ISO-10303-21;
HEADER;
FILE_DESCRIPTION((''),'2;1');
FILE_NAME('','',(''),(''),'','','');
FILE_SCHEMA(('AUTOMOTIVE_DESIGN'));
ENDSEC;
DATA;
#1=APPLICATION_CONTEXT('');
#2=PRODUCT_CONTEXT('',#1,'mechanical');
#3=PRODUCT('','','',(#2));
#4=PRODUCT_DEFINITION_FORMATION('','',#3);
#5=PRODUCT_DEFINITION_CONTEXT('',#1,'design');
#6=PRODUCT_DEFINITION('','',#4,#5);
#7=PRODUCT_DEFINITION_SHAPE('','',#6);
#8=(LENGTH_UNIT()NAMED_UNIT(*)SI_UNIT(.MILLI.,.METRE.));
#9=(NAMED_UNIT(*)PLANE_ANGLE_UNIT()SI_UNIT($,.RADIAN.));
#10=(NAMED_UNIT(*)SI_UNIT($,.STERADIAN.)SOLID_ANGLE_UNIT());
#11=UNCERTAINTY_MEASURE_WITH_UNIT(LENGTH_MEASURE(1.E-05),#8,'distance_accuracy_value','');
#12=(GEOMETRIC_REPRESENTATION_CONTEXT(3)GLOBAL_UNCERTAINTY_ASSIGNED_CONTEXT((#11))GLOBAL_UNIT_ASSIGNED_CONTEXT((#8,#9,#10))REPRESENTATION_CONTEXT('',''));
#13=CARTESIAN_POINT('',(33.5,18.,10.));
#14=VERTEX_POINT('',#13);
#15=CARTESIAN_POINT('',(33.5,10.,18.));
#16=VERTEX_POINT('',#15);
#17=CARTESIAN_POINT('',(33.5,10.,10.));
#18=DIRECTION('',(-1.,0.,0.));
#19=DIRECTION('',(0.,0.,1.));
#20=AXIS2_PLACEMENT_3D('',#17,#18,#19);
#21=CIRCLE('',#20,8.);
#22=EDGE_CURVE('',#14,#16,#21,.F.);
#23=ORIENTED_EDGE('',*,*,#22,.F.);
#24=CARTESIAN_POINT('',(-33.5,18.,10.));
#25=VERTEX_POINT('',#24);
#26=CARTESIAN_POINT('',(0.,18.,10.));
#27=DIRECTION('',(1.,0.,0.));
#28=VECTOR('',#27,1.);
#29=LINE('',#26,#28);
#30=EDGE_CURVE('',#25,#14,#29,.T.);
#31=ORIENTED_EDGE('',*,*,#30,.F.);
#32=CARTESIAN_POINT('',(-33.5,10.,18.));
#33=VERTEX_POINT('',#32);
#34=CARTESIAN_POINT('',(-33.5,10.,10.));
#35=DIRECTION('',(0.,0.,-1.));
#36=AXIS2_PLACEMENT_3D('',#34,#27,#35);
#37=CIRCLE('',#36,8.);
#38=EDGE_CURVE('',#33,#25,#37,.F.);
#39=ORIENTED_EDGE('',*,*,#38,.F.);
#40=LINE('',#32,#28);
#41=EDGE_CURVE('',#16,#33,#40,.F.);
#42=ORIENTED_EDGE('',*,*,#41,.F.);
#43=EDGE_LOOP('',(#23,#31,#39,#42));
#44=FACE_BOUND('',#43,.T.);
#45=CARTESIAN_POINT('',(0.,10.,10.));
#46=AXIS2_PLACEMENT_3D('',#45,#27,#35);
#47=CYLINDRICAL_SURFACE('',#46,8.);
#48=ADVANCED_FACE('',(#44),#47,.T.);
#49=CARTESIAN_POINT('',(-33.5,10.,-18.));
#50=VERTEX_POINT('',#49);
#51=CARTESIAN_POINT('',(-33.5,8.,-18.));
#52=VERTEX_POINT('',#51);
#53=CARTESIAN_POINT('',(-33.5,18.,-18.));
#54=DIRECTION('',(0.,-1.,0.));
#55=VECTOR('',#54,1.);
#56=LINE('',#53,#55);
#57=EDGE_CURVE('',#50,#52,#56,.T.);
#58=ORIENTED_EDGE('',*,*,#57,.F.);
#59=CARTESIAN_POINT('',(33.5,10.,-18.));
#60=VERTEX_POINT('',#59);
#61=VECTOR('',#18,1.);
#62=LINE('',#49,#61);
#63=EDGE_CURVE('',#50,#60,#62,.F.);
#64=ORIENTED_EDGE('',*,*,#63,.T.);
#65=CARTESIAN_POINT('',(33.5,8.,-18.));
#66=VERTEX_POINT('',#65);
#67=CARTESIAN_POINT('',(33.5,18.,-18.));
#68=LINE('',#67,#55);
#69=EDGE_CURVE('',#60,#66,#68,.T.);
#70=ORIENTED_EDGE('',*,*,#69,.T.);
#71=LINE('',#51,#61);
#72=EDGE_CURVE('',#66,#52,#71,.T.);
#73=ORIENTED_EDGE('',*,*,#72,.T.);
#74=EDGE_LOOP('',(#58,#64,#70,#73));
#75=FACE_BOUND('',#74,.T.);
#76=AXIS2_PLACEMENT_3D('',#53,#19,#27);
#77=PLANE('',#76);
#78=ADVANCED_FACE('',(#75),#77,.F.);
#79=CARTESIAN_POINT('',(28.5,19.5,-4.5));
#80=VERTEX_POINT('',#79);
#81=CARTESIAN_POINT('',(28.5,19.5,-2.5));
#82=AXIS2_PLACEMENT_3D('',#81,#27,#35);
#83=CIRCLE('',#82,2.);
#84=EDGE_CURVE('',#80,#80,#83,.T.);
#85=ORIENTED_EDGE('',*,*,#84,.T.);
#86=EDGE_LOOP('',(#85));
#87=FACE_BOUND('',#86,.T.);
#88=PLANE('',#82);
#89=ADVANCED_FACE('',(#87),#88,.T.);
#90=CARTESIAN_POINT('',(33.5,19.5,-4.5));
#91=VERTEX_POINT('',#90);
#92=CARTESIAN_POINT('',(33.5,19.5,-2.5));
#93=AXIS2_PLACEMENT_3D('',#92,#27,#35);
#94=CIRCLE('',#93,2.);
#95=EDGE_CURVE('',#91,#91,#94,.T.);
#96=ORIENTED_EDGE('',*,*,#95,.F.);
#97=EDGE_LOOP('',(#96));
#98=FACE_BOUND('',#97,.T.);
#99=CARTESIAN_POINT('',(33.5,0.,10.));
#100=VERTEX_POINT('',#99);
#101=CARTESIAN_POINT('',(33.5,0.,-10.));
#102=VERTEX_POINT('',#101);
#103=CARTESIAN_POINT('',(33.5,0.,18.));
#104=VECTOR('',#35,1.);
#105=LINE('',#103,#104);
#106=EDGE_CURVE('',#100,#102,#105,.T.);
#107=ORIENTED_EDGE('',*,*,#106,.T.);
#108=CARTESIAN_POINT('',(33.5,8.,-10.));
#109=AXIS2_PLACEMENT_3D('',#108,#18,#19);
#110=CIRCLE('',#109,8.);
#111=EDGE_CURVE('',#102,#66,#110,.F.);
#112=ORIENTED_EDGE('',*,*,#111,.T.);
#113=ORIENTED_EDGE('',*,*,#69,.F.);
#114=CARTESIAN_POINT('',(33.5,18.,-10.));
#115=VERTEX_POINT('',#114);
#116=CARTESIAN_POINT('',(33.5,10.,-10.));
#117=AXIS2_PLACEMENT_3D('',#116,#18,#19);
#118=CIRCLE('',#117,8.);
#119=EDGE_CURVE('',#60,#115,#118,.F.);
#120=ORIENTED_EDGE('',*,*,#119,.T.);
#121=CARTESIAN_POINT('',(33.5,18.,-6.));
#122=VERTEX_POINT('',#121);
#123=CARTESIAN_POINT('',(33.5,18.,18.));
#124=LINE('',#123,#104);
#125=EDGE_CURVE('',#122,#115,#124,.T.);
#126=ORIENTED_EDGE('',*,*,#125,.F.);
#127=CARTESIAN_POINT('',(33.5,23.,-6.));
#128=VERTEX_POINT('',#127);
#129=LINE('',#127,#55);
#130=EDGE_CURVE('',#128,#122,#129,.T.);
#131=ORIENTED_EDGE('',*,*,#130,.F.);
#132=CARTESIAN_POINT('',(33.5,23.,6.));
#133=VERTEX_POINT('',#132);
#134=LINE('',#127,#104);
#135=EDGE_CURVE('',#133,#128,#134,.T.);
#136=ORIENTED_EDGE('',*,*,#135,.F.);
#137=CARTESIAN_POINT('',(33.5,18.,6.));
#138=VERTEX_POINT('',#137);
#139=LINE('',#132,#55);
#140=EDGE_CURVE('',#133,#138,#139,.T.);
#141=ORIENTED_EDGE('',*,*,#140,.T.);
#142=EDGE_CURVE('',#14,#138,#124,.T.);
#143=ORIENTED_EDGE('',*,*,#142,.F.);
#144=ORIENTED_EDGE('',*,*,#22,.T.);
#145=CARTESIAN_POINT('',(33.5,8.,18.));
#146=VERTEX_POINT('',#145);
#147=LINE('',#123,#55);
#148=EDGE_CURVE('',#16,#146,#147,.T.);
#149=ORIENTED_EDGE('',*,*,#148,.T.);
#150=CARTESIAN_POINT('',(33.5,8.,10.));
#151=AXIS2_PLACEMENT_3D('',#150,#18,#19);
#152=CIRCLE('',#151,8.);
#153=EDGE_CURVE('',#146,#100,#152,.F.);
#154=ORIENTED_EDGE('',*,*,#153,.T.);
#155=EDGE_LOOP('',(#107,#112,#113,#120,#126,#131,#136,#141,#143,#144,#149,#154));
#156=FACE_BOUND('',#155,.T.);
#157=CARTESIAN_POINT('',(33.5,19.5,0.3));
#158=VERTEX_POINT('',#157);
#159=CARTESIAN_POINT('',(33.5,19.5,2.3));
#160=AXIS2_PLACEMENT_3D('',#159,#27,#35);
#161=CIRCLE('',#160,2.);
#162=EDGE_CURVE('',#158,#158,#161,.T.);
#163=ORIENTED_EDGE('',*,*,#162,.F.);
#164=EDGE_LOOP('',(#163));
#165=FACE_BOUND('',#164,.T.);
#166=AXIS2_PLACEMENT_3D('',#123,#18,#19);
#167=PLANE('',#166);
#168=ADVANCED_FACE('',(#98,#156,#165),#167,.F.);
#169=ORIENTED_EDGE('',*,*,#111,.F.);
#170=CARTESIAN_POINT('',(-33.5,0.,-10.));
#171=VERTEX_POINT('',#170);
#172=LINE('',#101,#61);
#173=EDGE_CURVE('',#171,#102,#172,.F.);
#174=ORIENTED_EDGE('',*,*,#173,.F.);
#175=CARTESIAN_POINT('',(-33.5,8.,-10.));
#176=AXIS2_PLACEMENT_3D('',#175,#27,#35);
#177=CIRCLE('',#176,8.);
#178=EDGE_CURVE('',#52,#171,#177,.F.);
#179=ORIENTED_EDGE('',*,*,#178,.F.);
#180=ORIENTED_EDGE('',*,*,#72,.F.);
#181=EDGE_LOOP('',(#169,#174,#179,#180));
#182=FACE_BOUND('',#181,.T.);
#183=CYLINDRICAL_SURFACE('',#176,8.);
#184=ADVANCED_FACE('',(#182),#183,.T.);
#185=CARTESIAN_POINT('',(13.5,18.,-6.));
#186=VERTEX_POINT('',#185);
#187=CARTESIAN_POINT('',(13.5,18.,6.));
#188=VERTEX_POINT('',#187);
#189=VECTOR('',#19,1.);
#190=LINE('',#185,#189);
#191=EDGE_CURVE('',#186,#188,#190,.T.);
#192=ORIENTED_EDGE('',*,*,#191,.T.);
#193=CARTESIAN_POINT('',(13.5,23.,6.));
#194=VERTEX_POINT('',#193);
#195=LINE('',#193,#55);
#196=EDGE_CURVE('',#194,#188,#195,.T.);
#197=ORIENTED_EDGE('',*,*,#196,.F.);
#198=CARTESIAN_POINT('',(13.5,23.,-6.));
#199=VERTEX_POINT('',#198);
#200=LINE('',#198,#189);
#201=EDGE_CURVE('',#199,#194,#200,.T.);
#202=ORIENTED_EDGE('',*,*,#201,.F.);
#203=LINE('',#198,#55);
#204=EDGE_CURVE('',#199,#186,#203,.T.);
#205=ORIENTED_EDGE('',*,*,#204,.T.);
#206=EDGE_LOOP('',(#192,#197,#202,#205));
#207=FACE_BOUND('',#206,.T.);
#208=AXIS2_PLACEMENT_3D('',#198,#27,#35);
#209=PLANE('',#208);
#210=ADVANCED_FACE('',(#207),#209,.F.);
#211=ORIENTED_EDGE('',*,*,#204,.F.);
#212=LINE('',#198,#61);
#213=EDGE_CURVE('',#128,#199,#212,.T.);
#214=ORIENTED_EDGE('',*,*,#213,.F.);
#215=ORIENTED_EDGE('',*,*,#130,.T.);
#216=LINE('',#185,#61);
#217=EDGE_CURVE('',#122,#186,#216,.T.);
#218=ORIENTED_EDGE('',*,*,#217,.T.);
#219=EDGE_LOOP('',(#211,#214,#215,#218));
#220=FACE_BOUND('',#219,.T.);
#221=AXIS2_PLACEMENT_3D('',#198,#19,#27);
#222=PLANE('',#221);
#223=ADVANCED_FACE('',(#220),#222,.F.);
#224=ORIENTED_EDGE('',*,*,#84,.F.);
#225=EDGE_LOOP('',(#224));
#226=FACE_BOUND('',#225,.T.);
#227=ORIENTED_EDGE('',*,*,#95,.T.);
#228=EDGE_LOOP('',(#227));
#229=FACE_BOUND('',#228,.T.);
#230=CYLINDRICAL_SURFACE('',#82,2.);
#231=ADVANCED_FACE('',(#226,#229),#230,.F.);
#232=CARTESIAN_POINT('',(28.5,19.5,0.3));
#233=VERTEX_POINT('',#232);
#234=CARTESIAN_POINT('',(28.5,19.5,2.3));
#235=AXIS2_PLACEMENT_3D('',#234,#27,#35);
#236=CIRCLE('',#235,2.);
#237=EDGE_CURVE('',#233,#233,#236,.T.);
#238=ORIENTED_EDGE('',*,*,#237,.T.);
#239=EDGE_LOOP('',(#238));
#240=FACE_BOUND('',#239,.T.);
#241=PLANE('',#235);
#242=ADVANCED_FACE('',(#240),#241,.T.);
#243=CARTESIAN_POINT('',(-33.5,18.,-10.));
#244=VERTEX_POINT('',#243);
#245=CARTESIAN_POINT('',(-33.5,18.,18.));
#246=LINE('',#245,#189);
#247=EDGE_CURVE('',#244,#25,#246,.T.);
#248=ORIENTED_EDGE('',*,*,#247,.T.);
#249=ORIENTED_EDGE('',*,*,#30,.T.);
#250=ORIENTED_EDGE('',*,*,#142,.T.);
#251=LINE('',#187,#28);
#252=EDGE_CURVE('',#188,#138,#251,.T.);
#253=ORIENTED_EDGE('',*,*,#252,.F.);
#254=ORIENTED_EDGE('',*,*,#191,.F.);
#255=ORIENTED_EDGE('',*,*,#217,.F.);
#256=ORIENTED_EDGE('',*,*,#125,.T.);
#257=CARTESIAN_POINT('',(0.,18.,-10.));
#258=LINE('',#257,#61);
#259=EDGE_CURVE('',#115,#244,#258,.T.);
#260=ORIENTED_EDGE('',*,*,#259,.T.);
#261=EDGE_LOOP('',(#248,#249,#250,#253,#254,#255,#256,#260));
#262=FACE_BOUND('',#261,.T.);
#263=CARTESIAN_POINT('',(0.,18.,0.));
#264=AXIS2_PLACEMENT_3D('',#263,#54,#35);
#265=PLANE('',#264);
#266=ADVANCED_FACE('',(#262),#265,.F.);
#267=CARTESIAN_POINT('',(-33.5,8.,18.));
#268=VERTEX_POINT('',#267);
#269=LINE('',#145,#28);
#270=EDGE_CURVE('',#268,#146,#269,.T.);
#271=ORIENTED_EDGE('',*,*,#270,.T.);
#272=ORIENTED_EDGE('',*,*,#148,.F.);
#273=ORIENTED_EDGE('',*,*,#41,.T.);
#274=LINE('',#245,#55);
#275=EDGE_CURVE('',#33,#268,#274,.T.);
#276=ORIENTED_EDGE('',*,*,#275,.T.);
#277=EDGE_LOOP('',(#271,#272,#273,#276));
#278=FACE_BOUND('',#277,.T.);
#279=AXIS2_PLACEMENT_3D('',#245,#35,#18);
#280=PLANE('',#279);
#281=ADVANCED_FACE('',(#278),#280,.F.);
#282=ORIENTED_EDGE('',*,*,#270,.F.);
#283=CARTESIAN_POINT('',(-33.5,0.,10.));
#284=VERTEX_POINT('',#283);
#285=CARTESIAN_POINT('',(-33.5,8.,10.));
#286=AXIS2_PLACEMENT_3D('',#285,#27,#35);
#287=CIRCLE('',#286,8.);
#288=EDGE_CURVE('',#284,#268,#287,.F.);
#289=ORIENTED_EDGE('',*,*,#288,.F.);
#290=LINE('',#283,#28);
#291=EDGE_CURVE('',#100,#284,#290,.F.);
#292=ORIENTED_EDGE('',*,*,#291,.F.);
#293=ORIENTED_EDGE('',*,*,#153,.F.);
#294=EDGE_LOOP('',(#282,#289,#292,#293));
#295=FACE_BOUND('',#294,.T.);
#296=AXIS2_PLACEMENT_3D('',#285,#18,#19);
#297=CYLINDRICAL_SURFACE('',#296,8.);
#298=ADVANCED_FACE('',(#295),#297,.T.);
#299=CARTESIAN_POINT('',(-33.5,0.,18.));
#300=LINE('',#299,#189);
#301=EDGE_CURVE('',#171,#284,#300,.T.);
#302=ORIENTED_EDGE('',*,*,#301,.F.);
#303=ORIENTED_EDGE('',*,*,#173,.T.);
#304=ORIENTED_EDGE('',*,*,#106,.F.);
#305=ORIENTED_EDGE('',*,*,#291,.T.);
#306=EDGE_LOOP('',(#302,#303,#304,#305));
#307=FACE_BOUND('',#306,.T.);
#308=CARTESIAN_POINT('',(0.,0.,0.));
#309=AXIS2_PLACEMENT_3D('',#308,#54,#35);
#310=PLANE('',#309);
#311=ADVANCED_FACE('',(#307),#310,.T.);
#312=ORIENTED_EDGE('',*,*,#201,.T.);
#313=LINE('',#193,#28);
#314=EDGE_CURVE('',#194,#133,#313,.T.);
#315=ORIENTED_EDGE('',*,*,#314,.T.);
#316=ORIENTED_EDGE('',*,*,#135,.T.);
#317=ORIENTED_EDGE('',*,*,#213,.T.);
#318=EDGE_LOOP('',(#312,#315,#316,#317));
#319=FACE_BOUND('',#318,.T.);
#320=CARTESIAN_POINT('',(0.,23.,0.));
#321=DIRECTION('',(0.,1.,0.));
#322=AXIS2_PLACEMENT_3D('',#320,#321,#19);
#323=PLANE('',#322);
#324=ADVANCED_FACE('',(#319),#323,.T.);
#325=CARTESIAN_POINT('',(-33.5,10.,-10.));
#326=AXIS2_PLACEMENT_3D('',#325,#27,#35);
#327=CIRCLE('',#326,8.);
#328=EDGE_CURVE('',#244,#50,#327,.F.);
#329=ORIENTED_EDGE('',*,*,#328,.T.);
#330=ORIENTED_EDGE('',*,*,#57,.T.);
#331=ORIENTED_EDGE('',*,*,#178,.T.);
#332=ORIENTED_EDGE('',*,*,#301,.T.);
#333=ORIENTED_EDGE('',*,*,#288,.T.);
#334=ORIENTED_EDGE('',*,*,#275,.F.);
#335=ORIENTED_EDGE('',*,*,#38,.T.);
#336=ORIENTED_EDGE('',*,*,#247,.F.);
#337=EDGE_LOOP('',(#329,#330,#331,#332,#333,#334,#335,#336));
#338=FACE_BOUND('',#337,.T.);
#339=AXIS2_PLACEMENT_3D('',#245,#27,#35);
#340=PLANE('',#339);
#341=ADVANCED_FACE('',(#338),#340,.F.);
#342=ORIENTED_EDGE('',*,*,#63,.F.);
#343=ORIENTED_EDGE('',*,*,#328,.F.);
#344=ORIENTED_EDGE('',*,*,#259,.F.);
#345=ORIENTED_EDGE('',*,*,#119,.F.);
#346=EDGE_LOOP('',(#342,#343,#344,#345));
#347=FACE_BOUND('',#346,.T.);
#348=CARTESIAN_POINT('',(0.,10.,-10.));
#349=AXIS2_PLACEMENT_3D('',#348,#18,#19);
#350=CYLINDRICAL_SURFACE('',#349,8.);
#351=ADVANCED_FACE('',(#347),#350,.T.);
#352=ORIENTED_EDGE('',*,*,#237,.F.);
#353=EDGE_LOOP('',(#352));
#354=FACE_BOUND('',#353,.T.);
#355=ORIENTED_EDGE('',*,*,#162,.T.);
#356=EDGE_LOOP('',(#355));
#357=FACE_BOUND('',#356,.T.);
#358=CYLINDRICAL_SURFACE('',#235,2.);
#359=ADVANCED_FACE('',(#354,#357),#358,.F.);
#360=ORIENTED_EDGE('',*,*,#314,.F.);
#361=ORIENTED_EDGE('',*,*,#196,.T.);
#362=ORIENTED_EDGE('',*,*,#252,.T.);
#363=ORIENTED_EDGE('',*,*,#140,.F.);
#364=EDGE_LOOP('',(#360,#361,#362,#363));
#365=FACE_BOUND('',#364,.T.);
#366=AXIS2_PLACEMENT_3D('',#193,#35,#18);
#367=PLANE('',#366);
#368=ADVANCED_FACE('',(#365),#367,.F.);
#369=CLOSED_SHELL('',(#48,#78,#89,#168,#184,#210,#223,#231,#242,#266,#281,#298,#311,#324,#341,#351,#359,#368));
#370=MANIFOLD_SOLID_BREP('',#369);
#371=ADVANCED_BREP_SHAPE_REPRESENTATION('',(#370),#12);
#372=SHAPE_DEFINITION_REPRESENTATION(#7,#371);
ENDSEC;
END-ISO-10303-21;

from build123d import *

# Parameters (mm, degrees)
SKETCH_1_W          = 67
SKETCH_1_H          = 36
EXTRUDE_1_DEPTH     = 18
SKETCH_2_W          = 20
SKETCH_2_H          = 12
EXTRUDE_2_DEPTH     = 5
FILLET_1_R          = 8
SKETCH_3_R          = 2
CUT_EXTRUDE_1_DEPTH = 5


with BuildPart() as part:
    # 草图1 → 凸台-拉伸1 (new body)
    with BuildSketch(Plane(origin=(0, 0, 0), x_dir=(1, 0, 0), z_dir=(0, 1, 0))):
        Rectangle(SKETCH_1_W, SKETCH_1_H)
    extrude(amount=EXTRUDE_1_DEPTH)

    # 草图2 → 凸台-拉伸2 (add)
    with BuildSketch(Plane(origin=(0, 18, 0), x_dir=(1, 0, 0), z_dir=(0, 1, 0))):
        with Locations((23.5, 0)):
            Rectangle(SKETCH_2_W, SKETCH_2_H)
    extrude(amount=EXTRUDE_2_DEPTH)

    # 圆角1
    fillet_1_edges = [part.edges().sort_by_distance(p)[0] for p in [
        (0, 18, 18),
        (0, 0, 18),
        (0, 0, -18),
        (0, 18, -18),
    ]]
    fillet(fillet_1_edges, radius=FILLET_1_R)

    # 草图3 → 切除-拉伸1 (cut)
    with BuildSketch(Plane(origin=(33.5, 0, 0), x_dir=(0, 0, -1), z_dir=(1, 0, 0))):
        with Locations((2.5, 19.5)):
            Circle(SKETCH_3_R)
        with Locations((-2.3, 19.5)):
            Circle(SKETCH_3_R)
    extrude(amount=-CUT_EXTRUDE_1_DEPTH, mode=Mode.SUBTRACT)


solid = part.part
